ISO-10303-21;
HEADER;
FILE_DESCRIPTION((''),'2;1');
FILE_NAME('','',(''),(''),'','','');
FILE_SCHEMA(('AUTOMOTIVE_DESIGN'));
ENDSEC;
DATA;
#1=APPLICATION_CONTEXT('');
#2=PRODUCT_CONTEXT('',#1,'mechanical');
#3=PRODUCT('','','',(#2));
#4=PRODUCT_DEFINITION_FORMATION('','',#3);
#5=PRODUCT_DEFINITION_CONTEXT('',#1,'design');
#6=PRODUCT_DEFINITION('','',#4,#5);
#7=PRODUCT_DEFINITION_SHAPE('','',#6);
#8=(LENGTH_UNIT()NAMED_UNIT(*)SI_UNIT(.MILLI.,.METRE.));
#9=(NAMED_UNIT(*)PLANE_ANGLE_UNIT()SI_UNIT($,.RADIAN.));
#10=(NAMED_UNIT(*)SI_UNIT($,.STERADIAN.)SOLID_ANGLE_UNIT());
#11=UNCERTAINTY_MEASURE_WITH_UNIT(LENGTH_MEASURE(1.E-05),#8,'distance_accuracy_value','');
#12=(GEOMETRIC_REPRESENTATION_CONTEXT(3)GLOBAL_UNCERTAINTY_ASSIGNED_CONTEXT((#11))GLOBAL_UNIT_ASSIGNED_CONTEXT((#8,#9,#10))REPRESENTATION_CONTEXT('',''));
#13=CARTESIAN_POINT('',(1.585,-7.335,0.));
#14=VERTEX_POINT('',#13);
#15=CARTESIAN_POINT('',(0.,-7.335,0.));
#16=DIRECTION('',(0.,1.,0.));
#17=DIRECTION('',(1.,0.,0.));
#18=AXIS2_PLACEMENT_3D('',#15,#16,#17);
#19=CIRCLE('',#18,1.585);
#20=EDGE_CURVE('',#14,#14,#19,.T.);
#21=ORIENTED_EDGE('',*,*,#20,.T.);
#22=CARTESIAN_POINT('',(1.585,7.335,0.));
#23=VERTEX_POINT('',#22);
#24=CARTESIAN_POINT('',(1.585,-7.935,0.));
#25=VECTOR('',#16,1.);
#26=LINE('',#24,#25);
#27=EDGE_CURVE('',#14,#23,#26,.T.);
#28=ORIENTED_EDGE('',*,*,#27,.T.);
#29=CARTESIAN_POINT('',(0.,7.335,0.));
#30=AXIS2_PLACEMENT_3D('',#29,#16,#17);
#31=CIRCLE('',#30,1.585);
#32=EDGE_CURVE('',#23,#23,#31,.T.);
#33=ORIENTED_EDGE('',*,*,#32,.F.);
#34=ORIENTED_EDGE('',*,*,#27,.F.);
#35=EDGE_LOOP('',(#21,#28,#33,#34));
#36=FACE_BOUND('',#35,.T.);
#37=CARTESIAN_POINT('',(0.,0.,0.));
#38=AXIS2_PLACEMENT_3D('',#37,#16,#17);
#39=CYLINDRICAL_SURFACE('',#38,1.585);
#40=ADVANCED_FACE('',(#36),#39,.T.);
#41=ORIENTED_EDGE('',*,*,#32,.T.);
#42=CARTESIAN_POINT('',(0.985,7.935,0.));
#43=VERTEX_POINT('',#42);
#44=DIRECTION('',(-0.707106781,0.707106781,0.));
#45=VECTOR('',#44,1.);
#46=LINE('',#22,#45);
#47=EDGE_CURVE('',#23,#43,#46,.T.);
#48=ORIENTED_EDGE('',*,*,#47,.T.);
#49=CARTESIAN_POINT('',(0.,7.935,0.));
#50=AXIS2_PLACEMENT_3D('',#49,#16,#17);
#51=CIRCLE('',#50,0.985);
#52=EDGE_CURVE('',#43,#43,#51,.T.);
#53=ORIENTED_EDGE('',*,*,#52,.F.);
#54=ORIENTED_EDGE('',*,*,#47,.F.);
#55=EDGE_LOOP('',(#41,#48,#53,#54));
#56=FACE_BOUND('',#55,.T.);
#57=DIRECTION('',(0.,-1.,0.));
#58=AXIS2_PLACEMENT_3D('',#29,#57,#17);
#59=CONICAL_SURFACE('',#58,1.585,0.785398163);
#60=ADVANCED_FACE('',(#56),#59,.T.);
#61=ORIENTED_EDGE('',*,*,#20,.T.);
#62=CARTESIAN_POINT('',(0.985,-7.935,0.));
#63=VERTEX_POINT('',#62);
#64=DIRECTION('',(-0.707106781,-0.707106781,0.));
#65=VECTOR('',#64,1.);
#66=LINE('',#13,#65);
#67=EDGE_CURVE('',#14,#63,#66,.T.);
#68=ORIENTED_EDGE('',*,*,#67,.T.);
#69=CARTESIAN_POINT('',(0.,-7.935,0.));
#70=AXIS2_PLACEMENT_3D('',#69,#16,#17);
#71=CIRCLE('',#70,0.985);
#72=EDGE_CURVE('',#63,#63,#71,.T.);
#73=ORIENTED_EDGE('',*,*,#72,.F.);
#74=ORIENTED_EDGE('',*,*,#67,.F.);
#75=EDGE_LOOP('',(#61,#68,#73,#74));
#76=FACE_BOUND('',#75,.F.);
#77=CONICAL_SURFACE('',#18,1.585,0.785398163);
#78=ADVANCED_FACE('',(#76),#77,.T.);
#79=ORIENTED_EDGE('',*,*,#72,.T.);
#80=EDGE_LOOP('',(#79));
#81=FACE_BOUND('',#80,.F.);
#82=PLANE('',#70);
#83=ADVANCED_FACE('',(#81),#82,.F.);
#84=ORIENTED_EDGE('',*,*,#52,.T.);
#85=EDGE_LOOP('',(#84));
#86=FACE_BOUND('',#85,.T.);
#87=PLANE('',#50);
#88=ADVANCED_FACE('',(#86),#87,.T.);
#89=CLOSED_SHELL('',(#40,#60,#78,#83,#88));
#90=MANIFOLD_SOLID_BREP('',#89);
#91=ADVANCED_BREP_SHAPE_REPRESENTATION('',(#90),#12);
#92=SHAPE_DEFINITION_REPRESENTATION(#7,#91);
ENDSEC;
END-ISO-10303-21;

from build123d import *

# Parameters (mm, degrees)
SKETCH1_R           = 1.585
BOSS_EXTRUDE1_DEPTH = 7.935
CHAMFER1_SIZE       = 0.6


with BuildPart() as part:
    # Sketch1 → Boss-Extrude1 (new body, symmetric)
    with BuildSketch(Plane(origin=(0, 0, 0), x_dir=(1, 0, 0), z_dir=(0, 1, 0))):
        Circle(SKETCH1_R)
    extrude(amount=BOSS_EXTRUDE1_DEPTH, both=True)

    # Chamfer1
    chamfer1_edges = [part.edges().sort_by_distance(p)[0] for p in [
        (-1.585, -7.935, 0),
        (-1.585, 7.935, 0),
    ]]
    chamfer(chamfer1_edges, length=CHAMFER1_SIZE)


solid = part.part
